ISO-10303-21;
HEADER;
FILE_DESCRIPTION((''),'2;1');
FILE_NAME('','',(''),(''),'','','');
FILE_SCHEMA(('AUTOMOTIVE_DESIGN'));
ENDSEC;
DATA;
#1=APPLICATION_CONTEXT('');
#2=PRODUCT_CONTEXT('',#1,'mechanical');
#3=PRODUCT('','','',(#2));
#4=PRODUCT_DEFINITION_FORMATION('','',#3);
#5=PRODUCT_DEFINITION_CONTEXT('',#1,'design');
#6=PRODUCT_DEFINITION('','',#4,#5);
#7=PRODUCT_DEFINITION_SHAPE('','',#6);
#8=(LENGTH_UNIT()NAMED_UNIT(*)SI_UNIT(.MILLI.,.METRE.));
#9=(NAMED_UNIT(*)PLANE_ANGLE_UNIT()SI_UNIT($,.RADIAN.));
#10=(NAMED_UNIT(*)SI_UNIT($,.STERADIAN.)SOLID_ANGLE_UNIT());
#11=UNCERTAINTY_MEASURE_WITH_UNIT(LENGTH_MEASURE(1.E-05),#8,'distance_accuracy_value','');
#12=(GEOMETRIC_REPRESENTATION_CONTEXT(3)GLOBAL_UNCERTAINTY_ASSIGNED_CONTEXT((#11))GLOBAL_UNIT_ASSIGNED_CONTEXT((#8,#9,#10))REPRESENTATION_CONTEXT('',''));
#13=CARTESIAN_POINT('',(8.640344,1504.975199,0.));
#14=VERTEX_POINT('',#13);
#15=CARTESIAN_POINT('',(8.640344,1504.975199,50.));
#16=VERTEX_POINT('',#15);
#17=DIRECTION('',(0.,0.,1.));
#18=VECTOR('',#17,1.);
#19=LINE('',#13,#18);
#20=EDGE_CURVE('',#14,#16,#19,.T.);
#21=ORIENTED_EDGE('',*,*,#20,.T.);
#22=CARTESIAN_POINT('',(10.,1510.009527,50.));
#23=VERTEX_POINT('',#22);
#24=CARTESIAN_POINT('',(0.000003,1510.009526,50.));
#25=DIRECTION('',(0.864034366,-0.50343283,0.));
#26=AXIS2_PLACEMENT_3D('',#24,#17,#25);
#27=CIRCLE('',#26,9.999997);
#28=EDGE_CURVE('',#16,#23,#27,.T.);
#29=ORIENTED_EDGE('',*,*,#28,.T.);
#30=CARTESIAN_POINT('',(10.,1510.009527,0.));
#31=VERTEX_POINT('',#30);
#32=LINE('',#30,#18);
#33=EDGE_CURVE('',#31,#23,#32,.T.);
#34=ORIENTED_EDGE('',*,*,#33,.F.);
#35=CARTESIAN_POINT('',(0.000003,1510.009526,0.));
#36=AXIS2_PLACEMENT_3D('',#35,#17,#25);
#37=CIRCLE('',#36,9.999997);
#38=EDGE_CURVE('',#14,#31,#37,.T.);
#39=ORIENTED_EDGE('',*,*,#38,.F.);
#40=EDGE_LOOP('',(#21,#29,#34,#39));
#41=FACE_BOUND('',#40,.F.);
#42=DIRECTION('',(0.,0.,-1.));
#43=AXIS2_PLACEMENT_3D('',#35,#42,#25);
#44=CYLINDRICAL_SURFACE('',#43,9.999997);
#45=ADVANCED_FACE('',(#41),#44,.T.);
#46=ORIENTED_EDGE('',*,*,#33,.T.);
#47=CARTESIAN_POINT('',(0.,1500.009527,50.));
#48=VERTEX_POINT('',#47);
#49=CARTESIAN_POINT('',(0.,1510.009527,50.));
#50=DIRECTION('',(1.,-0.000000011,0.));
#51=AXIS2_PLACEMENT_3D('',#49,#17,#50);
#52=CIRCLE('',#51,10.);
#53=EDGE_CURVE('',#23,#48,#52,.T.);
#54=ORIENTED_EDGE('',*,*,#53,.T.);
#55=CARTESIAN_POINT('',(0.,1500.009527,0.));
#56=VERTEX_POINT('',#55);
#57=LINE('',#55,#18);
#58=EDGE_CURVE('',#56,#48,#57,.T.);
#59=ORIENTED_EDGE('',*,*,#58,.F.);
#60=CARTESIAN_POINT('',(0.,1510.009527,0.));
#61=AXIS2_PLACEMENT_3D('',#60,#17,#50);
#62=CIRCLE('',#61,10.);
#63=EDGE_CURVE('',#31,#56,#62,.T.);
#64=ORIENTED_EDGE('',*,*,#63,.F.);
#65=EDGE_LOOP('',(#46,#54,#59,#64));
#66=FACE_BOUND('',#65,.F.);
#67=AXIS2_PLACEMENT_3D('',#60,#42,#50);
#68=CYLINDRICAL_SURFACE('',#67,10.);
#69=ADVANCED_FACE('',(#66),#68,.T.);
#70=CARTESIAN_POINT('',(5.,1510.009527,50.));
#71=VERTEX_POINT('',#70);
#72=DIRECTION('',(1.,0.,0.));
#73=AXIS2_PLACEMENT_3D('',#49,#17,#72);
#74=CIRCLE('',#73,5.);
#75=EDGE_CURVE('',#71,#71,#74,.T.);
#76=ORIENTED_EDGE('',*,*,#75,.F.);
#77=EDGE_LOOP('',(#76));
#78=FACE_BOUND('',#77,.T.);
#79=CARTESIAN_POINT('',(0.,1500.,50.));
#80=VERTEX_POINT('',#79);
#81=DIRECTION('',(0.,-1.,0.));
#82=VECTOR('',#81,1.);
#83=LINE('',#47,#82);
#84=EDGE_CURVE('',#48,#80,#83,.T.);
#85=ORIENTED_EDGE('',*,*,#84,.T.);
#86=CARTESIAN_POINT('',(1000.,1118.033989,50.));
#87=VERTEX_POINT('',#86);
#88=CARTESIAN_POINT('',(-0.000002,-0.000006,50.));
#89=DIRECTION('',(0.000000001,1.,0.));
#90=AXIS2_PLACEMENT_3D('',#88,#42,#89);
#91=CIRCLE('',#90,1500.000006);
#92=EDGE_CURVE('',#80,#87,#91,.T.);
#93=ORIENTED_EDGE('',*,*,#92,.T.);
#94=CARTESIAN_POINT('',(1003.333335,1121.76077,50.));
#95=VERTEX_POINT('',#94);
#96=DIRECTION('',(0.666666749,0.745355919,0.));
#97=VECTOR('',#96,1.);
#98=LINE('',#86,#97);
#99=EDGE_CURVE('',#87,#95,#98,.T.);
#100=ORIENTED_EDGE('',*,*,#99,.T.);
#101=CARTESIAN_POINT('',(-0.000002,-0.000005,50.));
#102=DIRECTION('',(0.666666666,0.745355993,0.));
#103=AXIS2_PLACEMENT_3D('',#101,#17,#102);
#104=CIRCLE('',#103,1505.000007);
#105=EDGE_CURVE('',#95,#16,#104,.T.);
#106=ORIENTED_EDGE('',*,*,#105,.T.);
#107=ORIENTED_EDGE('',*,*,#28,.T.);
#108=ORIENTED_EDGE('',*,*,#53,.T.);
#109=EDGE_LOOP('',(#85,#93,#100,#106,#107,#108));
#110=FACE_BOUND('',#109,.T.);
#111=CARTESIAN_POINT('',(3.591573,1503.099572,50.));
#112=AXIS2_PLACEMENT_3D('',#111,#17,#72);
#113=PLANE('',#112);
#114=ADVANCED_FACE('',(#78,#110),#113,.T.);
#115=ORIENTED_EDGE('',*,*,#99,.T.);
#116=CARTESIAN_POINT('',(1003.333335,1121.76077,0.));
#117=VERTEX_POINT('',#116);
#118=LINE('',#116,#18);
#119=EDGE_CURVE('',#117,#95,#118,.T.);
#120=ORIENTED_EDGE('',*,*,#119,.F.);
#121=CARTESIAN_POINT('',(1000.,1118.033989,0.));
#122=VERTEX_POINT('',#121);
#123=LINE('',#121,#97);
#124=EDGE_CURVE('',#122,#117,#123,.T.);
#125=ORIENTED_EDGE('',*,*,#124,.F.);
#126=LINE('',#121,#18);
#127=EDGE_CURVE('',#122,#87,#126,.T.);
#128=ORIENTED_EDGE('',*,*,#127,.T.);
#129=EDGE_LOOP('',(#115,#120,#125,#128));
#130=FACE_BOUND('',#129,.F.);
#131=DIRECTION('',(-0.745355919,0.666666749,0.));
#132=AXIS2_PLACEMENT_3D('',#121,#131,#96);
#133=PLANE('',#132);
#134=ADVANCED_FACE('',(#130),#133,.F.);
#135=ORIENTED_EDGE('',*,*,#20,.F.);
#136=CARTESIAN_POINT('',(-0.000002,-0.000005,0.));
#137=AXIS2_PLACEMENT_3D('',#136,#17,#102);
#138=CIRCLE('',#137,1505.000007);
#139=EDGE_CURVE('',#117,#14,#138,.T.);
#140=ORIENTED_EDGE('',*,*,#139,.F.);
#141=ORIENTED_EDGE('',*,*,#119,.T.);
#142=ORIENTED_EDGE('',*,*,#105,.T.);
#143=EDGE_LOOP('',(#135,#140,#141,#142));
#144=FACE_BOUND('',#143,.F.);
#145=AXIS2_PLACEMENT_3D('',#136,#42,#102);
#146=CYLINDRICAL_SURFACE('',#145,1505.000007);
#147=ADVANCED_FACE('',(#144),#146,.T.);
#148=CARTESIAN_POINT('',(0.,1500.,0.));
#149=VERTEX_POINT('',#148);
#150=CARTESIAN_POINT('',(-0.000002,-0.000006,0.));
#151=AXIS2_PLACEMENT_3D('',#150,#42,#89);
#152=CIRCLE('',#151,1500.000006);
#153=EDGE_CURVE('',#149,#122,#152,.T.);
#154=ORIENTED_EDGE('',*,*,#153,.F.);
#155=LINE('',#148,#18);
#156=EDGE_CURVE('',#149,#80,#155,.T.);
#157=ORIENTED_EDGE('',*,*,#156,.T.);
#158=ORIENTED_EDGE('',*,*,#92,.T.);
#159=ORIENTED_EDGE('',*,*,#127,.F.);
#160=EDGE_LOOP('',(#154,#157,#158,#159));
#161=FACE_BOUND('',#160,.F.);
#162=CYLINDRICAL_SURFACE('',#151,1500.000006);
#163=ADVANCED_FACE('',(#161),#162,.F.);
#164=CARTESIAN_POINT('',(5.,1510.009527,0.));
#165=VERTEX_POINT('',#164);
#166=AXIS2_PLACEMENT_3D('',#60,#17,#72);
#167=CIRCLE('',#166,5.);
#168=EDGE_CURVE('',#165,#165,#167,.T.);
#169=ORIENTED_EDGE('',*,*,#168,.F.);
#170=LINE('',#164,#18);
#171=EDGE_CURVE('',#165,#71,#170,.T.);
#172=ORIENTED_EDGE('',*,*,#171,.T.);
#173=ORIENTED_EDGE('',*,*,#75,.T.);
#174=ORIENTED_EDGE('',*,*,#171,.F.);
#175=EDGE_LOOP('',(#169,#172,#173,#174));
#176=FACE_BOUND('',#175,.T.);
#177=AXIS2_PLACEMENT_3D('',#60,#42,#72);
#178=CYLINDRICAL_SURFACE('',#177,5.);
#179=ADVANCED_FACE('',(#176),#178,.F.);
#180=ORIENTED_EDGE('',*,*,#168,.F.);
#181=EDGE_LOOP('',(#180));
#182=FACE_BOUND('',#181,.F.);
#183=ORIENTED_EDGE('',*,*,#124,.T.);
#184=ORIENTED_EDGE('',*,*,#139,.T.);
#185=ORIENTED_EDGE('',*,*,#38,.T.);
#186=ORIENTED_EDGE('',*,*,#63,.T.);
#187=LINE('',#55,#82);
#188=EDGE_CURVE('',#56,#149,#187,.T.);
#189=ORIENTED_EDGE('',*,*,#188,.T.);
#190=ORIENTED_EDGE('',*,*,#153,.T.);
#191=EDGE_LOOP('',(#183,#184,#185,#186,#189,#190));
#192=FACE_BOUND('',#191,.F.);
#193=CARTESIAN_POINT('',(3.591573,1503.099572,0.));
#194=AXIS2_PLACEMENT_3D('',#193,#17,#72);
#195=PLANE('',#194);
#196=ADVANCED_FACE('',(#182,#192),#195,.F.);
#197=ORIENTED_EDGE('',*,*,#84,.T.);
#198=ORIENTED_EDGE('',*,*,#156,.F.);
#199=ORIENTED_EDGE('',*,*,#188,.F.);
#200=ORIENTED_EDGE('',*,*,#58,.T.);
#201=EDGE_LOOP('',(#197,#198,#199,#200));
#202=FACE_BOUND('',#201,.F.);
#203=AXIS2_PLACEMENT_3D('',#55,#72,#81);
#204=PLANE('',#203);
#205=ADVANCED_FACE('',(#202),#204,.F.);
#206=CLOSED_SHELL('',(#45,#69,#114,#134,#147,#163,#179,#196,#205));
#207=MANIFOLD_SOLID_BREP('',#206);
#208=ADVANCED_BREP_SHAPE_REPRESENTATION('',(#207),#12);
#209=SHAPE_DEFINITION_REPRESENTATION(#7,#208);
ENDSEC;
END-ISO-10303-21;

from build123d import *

# Parameters (mm, degrees)
F0_R     = 5
F1_DEPTH = 50


with BuildPart() as f1:
    # F0 (on Top) → F1 (new body)
    with BuildSketch(Plane.XY):
        with BuildLine():
            Line((0, 1505.000002), (0, 1500.009527))
            ThreePointArc((0, 1500.009527), (4.982806, 1501.339369), (8.640344, 1504.975199))
            ThreePointArc((8.640344, 1504.975199), (4.32019, 1504.993801), (0, 1505.000002))
        make_face()
        with BuildLine():
            ThreePointArc((10, 1510.009527), (-7.071068, 1517.080595), (0, 1500.009527))
            Line((0, 1500.009527), (0, 1505.000002))
            ThreePointArc((0, 1505.000002), (4.32019, 1504.993801), (8.640344, 1504.975199))
            ThreePointArc((8.640344, 1504.975199), (9.654104, 1507.402176), (10, 1510.009527))
        make_face()
        with Locations((0, 1510.009527)):
            Circle(F0_R, mode=Mode.SUBTRACT)
        with BuildLine():
            ThreePointArc((0, 1500), (535.233135, 1401.258538), (1000, 1118.033989))
            Line((1000, 1118.033989), (1003.333335, 1121.76077))
            ThreePointArc((1003.333335, 1121.76077), (541.050835, 1404.38207), (8.640344, 1504.975199))
            ThreePointArc((8.640344, 1504.975199), (4.982806, 1501.339369), (0, 1500.009527))
            Line((0, 1500.009527), (0, 1500))
        make_face()
    extrude(amount=F1_DEPTH)


solid = f1.part
